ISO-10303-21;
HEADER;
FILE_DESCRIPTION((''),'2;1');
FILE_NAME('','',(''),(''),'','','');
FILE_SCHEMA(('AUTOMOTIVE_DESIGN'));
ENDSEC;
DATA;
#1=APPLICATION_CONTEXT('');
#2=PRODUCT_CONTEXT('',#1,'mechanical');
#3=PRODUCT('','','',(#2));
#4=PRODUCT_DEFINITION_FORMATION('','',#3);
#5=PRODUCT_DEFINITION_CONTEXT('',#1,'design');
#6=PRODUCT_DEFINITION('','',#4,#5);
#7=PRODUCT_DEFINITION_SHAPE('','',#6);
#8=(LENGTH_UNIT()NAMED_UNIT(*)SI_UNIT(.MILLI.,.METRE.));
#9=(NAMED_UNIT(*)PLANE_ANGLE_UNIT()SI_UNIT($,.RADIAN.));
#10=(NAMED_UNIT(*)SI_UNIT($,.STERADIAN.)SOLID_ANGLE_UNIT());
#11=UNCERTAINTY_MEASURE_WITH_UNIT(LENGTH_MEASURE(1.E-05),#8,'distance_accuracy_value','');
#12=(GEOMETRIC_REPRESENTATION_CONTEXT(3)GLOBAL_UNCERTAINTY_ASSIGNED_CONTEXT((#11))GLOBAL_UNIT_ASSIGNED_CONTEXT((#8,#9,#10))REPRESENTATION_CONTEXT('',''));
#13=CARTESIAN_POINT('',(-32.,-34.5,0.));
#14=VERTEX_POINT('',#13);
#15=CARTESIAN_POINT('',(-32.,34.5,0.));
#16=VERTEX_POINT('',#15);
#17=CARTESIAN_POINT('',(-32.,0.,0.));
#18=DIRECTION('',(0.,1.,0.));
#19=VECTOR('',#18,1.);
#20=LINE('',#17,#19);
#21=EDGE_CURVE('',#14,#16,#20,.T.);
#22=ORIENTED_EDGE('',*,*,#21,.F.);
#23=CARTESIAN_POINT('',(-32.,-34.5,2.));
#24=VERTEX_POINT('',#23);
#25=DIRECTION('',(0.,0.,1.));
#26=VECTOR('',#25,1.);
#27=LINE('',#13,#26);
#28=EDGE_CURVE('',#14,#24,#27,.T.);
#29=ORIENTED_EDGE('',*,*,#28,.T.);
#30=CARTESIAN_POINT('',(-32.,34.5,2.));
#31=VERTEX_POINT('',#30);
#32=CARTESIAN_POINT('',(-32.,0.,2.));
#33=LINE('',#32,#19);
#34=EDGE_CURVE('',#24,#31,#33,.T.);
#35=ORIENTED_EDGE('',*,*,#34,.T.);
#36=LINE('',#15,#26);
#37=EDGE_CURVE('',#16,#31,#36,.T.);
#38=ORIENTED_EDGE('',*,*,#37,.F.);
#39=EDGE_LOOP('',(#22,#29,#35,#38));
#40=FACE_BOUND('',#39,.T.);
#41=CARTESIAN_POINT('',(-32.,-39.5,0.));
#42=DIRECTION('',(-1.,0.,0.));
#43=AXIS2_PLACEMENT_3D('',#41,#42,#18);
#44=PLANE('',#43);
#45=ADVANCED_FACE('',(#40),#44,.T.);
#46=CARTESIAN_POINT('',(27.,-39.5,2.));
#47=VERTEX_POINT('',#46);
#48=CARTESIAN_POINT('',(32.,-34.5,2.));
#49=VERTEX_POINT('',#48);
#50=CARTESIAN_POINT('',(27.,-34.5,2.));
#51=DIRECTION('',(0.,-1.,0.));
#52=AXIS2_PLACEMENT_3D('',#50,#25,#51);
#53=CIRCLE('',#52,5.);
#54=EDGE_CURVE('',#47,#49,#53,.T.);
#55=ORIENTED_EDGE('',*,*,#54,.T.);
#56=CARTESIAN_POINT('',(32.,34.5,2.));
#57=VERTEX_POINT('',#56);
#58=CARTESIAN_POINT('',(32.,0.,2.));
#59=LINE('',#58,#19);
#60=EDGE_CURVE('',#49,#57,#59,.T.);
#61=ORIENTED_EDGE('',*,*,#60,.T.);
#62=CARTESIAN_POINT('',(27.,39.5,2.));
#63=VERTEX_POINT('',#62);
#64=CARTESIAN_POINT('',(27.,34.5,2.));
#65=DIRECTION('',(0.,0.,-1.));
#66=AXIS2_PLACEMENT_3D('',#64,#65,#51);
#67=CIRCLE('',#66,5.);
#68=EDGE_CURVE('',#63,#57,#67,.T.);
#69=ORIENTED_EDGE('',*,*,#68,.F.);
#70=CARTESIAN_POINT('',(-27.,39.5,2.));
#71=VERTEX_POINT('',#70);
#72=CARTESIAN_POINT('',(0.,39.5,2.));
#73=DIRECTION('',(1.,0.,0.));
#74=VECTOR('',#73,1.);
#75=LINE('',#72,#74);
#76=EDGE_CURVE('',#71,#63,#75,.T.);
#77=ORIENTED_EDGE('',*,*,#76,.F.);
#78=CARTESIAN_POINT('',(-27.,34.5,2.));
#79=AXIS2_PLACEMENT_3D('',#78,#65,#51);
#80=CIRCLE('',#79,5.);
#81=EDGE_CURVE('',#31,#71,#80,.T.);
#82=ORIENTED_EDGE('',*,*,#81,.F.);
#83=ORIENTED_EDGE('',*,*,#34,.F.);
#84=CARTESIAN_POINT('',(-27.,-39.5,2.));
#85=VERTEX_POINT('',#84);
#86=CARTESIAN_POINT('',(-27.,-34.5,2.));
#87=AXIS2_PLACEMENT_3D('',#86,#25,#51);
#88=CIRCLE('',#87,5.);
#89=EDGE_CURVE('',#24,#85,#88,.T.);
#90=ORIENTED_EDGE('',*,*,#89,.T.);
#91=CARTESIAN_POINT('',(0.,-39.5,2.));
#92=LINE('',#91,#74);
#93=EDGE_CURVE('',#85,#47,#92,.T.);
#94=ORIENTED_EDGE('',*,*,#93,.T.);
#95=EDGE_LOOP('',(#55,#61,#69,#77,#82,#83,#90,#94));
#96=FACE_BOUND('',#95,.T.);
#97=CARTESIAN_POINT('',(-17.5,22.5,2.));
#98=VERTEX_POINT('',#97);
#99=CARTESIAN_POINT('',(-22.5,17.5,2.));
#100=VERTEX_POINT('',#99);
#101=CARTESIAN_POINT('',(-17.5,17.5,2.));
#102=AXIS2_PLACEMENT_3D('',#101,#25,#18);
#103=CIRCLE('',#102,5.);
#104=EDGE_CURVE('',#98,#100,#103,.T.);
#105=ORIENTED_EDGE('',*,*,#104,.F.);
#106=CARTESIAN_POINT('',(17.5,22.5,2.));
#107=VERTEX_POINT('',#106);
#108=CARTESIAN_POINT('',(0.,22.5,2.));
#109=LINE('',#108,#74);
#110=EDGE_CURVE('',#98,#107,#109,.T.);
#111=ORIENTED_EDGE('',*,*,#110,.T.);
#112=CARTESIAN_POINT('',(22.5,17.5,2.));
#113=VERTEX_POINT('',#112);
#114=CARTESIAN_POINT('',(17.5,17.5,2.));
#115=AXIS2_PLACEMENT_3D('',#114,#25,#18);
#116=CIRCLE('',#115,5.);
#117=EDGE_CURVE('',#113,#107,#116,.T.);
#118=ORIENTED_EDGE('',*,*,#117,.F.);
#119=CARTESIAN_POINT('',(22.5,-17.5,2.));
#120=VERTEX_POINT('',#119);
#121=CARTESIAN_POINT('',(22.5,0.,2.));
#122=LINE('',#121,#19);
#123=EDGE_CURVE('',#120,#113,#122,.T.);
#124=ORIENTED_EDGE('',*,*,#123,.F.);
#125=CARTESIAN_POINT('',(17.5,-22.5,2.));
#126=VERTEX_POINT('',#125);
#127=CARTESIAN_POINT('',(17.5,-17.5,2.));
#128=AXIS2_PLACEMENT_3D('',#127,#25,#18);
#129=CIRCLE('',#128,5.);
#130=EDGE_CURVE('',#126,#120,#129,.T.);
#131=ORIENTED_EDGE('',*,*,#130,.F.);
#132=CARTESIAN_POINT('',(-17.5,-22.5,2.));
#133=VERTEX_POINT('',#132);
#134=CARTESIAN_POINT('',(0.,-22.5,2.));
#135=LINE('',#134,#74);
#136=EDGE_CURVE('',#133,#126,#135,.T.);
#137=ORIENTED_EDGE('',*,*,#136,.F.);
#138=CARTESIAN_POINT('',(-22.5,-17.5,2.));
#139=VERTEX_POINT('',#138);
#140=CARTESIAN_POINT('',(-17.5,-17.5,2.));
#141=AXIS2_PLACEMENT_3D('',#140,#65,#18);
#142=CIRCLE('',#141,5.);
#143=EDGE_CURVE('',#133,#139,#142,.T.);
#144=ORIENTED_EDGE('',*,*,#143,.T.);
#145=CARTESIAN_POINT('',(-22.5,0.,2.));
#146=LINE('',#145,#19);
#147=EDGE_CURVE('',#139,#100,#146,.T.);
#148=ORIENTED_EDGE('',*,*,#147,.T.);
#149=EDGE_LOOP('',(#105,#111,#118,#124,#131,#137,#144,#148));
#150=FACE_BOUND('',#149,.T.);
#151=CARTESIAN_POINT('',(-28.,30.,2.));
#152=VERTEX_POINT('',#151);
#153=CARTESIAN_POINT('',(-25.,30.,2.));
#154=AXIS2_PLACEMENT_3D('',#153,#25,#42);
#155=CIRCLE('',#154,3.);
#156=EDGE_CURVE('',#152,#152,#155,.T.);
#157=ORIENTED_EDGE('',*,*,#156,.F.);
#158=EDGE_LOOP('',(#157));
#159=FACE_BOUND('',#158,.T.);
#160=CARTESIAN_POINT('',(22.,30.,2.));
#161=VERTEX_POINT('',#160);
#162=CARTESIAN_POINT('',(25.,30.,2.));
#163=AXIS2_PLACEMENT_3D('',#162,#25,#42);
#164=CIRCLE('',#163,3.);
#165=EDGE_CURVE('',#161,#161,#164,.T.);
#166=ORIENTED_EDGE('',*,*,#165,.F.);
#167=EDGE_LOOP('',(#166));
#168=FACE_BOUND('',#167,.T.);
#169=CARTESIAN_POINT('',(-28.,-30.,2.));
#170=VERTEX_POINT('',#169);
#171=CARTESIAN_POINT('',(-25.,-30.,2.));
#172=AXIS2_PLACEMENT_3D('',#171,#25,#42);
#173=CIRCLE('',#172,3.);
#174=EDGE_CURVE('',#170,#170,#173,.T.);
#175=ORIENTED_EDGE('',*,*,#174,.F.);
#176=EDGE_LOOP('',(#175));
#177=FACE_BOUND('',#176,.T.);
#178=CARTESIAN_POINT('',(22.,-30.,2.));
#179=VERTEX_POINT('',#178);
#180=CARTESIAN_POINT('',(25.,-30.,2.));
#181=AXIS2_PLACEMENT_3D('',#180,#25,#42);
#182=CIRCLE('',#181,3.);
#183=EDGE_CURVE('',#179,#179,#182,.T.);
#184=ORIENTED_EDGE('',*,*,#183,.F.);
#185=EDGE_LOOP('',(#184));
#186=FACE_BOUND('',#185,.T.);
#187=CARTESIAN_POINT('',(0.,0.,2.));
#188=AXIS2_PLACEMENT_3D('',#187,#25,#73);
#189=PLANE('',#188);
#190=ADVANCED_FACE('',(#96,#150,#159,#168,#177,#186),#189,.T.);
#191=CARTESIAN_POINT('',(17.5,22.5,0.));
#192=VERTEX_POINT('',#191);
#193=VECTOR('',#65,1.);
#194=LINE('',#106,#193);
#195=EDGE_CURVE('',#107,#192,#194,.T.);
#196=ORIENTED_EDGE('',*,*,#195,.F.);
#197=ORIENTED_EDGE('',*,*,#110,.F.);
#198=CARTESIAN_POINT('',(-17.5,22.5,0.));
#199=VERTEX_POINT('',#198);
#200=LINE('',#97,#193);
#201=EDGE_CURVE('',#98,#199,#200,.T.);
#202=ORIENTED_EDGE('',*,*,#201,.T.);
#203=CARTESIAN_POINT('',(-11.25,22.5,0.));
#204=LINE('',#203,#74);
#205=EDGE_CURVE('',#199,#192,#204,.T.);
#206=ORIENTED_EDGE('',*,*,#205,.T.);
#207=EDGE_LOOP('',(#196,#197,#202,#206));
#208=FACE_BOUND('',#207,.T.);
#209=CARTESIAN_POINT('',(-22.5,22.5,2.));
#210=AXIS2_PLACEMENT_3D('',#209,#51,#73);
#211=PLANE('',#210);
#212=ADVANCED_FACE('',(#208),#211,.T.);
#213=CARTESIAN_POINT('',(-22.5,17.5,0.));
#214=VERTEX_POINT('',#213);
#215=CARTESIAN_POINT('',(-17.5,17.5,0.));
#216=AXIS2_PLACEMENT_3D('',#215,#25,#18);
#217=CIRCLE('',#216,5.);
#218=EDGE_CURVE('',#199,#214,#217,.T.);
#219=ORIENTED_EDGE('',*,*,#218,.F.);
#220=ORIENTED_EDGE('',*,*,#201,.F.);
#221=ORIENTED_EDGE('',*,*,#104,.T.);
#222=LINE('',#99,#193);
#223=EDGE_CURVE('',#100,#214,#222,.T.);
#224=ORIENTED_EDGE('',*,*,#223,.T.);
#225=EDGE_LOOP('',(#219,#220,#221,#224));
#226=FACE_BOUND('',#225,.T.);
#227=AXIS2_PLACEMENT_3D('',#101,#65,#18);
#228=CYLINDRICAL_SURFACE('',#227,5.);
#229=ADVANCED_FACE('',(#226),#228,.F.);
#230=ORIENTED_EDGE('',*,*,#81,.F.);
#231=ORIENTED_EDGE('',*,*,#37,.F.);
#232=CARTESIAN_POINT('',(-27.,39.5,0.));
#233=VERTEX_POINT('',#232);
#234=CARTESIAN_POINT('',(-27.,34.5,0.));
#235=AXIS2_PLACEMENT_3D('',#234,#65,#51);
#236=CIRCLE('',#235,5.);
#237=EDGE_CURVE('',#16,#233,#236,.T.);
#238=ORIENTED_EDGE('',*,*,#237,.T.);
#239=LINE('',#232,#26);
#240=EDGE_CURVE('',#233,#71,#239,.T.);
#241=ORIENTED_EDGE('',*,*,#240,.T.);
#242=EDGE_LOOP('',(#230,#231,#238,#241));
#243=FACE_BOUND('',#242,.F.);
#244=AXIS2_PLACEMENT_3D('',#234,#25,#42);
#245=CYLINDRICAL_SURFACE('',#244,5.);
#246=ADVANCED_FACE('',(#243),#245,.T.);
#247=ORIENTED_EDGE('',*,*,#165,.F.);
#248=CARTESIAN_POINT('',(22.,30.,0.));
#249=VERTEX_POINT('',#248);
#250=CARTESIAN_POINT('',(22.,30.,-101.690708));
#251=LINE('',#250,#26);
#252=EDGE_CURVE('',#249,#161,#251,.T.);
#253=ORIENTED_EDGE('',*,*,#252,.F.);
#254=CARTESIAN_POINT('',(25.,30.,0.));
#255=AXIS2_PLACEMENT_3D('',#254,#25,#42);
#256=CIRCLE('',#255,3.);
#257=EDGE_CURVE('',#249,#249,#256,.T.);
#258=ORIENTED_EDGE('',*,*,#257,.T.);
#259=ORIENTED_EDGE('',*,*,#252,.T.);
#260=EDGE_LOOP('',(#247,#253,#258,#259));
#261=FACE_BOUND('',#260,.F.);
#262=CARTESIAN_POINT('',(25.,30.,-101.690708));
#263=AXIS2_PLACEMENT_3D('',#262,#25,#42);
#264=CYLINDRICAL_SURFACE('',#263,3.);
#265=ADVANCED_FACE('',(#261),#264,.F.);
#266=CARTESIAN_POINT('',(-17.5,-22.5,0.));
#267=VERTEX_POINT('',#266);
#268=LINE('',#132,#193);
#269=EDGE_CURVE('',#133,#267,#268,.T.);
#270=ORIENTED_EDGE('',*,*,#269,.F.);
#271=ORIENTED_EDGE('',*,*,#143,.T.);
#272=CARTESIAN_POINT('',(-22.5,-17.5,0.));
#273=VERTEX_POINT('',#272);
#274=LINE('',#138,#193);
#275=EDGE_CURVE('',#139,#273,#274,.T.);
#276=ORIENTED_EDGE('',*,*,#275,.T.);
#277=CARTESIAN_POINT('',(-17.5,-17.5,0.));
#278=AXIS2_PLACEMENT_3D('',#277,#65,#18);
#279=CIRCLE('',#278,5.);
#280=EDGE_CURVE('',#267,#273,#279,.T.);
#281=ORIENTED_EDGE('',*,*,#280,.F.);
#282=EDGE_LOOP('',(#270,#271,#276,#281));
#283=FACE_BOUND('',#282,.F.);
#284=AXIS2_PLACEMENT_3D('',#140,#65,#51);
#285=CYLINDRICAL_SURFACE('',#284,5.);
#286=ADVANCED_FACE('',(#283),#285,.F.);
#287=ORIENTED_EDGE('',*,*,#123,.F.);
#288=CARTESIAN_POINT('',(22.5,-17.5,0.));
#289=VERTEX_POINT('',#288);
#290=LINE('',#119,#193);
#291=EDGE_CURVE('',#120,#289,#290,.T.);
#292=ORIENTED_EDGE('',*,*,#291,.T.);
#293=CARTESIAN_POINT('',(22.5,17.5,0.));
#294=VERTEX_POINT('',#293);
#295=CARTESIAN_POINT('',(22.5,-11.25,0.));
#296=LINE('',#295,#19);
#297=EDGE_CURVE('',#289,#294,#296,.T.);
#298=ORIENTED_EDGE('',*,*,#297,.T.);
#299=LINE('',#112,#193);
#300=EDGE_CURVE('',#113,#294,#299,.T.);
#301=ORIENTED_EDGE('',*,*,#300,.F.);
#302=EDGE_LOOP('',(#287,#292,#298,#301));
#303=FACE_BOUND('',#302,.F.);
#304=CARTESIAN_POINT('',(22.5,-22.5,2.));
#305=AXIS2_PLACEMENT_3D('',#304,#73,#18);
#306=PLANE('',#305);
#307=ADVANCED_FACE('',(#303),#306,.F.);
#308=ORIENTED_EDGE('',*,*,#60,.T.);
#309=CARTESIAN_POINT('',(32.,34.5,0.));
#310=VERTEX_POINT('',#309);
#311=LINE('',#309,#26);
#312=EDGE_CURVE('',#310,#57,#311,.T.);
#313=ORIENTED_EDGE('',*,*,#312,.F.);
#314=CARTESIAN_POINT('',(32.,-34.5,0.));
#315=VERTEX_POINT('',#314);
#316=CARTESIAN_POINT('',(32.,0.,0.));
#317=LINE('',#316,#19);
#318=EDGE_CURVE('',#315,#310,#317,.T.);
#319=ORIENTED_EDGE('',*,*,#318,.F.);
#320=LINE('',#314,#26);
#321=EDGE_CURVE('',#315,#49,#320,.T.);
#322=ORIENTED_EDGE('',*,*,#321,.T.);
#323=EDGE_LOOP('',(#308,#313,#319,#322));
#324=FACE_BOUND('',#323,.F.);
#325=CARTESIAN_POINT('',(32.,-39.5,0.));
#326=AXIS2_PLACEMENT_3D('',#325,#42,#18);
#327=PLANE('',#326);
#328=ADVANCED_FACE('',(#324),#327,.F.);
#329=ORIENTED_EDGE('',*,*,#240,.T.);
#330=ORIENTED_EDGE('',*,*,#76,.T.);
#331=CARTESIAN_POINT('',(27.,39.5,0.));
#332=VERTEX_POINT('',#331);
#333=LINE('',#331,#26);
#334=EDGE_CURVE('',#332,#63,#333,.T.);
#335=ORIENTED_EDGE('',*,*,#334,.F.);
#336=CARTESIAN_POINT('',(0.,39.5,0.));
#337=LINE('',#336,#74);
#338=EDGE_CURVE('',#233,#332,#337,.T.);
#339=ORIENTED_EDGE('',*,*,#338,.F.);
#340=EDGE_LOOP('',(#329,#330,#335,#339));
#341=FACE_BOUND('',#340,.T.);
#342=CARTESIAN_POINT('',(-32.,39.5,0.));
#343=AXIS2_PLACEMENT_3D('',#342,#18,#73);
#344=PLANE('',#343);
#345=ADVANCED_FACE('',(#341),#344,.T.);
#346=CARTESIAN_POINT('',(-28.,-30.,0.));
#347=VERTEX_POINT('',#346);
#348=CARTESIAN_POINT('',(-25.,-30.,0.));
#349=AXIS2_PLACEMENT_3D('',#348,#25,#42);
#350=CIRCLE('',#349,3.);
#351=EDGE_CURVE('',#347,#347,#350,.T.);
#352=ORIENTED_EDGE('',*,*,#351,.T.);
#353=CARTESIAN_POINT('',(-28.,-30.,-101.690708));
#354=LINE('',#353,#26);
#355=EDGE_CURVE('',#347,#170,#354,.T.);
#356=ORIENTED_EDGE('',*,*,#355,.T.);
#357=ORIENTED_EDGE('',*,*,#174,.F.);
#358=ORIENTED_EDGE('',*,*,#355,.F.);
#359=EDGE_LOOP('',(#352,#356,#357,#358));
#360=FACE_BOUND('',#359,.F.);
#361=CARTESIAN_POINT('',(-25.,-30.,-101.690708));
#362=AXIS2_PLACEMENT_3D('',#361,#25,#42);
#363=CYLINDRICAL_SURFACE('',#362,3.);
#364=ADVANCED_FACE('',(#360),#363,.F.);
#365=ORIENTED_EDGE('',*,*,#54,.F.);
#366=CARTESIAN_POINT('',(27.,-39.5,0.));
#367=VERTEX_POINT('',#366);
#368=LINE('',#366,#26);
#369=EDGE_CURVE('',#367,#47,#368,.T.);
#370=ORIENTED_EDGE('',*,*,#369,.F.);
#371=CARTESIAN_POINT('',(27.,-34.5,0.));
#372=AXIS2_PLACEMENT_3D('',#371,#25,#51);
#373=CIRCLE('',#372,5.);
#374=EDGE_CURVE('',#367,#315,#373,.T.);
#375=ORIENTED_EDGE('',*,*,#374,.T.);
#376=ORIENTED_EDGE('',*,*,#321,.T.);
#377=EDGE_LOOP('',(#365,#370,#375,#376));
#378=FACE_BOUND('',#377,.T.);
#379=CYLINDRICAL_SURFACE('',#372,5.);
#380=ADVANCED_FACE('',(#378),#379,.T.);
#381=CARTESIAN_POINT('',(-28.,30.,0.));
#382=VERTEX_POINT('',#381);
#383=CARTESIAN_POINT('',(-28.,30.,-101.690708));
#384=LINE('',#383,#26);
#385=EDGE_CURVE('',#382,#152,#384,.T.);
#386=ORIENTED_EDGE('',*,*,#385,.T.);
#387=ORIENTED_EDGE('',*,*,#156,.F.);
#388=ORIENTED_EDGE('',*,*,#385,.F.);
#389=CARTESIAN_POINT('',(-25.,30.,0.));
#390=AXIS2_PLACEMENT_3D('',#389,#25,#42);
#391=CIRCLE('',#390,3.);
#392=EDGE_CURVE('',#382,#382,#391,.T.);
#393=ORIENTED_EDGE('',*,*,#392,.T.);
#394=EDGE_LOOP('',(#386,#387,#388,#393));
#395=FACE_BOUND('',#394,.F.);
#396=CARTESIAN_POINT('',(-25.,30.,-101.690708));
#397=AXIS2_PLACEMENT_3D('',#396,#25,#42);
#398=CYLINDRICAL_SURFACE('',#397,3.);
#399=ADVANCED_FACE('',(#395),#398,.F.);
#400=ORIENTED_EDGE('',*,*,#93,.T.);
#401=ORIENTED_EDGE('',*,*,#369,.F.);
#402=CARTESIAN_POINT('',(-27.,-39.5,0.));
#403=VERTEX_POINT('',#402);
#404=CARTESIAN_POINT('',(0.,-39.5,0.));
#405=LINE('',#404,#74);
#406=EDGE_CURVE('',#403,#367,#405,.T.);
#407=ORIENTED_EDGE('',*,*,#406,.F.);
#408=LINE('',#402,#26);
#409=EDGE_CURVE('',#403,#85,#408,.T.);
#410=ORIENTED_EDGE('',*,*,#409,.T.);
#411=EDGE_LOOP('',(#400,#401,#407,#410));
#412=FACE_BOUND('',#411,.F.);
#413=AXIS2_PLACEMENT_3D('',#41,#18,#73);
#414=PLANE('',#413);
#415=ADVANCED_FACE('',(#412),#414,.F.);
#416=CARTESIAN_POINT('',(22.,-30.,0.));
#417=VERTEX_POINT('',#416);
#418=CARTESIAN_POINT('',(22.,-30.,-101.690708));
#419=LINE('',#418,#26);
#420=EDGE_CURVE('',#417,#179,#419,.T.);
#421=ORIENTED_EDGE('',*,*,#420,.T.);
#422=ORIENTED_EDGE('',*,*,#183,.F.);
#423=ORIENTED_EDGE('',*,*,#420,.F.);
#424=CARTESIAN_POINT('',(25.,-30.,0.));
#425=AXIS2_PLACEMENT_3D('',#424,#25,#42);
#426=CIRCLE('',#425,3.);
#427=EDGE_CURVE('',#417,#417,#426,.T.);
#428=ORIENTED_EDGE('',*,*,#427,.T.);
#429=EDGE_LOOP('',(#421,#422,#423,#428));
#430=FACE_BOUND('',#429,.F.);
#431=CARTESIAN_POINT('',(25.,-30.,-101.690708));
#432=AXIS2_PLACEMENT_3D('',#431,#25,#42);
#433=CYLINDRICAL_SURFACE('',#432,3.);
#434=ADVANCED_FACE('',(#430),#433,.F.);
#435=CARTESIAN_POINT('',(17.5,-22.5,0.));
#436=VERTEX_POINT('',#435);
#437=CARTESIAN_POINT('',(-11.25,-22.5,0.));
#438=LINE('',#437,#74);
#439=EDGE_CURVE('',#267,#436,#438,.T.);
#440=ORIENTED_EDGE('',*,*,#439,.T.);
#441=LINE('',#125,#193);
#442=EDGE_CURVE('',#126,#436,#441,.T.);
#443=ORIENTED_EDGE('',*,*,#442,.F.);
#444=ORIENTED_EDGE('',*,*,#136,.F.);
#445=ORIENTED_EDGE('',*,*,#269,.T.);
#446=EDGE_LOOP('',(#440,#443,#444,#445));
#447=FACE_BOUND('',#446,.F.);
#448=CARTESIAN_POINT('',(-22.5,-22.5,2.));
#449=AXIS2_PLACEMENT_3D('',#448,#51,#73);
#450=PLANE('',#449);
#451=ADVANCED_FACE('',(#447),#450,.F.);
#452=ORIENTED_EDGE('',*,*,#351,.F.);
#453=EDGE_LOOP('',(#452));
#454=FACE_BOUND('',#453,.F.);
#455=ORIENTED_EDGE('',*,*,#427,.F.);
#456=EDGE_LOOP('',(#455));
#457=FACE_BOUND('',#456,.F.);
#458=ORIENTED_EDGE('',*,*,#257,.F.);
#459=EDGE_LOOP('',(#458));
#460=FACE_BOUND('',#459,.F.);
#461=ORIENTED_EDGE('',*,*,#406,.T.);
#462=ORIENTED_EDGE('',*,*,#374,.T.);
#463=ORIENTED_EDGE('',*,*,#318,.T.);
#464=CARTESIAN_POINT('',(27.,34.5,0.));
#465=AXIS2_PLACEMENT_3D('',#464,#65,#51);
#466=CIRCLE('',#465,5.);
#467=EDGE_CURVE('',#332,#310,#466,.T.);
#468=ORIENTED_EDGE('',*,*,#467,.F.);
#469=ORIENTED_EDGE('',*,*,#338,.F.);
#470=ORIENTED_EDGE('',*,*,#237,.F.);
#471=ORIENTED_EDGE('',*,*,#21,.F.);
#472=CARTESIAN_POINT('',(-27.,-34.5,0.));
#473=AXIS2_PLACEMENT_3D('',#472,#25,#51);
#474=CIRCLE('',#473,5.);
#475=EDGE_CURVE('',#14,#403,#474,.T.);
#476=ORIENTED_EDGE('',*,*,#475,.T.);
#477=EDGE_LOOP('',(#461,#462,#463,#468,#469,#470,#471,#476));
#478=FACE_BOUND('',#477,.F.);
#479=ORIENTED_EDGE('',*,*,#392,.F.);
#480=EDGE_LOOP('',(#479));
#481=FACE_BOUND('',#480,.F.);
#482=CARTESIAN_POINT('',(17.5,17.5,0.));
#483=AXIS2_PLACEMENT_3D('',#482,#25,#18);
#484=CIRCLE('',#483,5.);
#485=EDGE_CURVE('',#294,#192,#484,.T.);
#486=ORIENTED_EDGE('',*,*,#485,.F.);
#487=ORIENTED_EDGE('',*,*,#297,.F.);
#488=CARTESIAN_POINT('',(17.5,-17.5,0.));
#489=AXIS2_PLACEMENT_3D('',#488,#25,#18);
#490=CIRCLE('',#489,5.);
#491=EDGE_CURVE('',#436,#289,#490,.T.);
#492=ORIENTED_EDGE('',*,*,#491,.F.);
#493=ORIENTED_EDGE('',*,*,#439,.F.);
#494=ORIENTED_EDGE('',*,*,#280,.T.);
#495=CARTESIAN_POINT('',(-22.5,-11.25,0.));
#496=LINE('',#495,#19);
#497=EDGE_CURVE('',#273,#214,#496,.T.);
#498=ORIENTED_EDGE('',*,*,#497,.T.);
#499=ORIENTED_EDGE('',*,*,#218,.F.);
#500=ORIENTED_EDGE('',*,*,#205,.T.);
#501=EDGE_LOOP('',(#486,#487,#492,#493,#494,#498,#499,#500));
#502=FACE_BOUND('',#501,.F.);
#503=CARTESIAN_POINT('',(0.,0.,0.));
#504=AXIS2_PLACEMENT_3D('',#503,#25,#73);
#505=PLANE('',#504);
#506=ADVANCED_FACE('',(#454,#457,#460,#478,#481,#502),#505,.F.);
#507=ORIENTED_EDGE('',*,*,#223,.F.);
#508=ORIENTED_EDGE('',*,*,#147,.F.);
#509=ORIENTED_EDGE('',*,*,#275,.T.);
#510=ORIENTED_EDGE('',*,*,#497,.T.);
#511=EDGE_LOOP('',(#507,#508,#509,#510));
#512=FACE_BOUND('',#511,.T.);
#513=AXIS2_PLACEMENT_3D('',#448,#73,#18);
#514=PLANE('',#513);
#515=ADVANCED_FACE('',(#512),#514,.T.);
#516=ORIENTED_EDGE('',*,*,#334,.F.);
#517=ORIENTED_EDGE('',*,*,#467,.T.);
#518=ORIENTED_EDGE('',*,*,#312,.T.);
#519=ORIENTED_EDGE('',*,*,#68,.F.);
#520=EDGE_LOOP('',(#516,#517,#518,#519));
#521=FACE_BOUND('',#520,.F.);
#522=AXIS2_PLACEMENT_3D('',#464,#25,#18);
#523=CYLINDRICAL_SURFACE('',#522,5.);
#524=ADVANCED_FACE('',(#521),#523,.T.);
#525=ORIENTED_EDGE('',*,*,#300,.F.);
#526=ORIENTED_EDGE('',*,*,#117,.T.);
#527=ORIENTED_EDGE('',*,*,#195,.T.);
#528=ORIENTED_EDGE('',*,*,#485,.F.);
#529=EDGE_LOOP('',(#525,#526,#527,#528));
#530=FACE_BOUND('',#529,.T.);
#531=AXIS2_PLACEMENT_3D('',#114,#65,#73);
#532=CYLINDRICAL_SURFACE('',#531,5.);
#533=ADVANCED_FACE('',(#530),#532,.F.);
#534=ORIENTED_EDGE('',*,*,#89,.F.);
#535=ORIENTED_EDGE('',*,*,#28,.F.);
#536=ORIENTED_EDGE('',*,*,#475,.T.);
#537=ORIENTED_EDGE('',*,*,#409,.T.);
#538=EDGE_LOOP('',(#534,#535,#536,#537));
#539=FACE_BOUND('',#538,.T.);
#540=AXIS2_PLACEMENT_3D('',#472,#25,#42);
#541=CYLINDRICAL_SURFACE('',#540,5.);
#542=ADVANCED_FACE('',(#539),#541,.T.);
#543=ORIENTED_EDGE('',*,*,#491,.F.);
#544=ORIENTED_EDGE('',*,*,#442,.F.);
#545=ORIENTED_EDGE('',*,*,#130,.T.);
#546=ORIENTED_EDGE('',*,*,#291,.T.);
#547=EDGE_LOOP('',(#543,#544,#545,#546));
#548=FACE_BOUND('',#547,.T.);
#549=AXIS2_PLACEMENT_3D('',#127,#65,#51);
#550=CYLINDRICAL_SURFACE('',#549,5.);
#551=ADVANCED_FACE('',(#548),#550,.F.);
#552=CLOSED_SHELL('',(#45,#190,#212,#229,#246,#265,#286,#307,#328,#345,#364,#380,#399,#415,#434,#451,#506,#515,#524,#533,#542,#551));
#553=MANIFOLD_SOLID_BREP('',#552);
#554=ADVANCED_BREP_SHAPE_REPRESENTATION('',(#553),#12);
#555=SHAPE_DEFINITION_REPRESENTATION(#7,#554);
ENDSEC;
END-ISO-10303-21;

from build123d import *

# Parameters (mm, degrees)
F0_W     = 64
F0_H     = 79
F0_W_2   = 50
F0_H_2   = 60
F1_DEPTH = 2
F2_D     = 6
F3_R     = 5
F4_W     = 45
F4_H     = 45
F5_DEPTH = 25
F6_R     = 5


with BuildPart() as f1:
    # F0 (on Top) → F1 (new body)
    with BuildSketch(Plane.XY):
        Rectangle(F0_W, F0_H)
        Rectangle(F0_W_2, F0_H_2, mode=Mode.SUBTRACT)
        Rectangle(F0_W_2, F0_H_2)
    extrude(amount=F1_DEPTH)

    # F2 (through all)
    with Locations(Plane(origin=(0, 0, 0), x_dir=(1, 0, 0), z_dir=(0, 0, -1))):
        with Locations((25, 30), (-25, 30), (-25, -30), (25, -30)):
            Hole(F2_D / 2)

    # F3
    f3_edges = [f1.edges().sort_by_distance(p)[0] for p in [
        (-32, -39.5, 1),
        (32, -39.5, 1),
        (-32, 39.5, 1),
        (32, 39.5, 1),
    ]]
    fillet(f3_edges, radius=F3_R)

    # F4 (on face) → F5 (cut)
    with BuildSketch(Plane.XY.offset(2)):
        Rectangle(F4_W, F4_H)
    extrude(amount=-F5_DEPTH, mode=Mode.SUBTRACT)

    # F6
    f6_edges = [f1.edges().sort_by_distance(p)[0] for p in [
        (-22.5, 22.5, 1),
        (22.5, 22.5, 1),
        (22.5, -22.5, 1),
        (-22.5, -22.5, 1),
    ]]
    fillet(f6_edges, radius=F6_R)


solid = f1.part
